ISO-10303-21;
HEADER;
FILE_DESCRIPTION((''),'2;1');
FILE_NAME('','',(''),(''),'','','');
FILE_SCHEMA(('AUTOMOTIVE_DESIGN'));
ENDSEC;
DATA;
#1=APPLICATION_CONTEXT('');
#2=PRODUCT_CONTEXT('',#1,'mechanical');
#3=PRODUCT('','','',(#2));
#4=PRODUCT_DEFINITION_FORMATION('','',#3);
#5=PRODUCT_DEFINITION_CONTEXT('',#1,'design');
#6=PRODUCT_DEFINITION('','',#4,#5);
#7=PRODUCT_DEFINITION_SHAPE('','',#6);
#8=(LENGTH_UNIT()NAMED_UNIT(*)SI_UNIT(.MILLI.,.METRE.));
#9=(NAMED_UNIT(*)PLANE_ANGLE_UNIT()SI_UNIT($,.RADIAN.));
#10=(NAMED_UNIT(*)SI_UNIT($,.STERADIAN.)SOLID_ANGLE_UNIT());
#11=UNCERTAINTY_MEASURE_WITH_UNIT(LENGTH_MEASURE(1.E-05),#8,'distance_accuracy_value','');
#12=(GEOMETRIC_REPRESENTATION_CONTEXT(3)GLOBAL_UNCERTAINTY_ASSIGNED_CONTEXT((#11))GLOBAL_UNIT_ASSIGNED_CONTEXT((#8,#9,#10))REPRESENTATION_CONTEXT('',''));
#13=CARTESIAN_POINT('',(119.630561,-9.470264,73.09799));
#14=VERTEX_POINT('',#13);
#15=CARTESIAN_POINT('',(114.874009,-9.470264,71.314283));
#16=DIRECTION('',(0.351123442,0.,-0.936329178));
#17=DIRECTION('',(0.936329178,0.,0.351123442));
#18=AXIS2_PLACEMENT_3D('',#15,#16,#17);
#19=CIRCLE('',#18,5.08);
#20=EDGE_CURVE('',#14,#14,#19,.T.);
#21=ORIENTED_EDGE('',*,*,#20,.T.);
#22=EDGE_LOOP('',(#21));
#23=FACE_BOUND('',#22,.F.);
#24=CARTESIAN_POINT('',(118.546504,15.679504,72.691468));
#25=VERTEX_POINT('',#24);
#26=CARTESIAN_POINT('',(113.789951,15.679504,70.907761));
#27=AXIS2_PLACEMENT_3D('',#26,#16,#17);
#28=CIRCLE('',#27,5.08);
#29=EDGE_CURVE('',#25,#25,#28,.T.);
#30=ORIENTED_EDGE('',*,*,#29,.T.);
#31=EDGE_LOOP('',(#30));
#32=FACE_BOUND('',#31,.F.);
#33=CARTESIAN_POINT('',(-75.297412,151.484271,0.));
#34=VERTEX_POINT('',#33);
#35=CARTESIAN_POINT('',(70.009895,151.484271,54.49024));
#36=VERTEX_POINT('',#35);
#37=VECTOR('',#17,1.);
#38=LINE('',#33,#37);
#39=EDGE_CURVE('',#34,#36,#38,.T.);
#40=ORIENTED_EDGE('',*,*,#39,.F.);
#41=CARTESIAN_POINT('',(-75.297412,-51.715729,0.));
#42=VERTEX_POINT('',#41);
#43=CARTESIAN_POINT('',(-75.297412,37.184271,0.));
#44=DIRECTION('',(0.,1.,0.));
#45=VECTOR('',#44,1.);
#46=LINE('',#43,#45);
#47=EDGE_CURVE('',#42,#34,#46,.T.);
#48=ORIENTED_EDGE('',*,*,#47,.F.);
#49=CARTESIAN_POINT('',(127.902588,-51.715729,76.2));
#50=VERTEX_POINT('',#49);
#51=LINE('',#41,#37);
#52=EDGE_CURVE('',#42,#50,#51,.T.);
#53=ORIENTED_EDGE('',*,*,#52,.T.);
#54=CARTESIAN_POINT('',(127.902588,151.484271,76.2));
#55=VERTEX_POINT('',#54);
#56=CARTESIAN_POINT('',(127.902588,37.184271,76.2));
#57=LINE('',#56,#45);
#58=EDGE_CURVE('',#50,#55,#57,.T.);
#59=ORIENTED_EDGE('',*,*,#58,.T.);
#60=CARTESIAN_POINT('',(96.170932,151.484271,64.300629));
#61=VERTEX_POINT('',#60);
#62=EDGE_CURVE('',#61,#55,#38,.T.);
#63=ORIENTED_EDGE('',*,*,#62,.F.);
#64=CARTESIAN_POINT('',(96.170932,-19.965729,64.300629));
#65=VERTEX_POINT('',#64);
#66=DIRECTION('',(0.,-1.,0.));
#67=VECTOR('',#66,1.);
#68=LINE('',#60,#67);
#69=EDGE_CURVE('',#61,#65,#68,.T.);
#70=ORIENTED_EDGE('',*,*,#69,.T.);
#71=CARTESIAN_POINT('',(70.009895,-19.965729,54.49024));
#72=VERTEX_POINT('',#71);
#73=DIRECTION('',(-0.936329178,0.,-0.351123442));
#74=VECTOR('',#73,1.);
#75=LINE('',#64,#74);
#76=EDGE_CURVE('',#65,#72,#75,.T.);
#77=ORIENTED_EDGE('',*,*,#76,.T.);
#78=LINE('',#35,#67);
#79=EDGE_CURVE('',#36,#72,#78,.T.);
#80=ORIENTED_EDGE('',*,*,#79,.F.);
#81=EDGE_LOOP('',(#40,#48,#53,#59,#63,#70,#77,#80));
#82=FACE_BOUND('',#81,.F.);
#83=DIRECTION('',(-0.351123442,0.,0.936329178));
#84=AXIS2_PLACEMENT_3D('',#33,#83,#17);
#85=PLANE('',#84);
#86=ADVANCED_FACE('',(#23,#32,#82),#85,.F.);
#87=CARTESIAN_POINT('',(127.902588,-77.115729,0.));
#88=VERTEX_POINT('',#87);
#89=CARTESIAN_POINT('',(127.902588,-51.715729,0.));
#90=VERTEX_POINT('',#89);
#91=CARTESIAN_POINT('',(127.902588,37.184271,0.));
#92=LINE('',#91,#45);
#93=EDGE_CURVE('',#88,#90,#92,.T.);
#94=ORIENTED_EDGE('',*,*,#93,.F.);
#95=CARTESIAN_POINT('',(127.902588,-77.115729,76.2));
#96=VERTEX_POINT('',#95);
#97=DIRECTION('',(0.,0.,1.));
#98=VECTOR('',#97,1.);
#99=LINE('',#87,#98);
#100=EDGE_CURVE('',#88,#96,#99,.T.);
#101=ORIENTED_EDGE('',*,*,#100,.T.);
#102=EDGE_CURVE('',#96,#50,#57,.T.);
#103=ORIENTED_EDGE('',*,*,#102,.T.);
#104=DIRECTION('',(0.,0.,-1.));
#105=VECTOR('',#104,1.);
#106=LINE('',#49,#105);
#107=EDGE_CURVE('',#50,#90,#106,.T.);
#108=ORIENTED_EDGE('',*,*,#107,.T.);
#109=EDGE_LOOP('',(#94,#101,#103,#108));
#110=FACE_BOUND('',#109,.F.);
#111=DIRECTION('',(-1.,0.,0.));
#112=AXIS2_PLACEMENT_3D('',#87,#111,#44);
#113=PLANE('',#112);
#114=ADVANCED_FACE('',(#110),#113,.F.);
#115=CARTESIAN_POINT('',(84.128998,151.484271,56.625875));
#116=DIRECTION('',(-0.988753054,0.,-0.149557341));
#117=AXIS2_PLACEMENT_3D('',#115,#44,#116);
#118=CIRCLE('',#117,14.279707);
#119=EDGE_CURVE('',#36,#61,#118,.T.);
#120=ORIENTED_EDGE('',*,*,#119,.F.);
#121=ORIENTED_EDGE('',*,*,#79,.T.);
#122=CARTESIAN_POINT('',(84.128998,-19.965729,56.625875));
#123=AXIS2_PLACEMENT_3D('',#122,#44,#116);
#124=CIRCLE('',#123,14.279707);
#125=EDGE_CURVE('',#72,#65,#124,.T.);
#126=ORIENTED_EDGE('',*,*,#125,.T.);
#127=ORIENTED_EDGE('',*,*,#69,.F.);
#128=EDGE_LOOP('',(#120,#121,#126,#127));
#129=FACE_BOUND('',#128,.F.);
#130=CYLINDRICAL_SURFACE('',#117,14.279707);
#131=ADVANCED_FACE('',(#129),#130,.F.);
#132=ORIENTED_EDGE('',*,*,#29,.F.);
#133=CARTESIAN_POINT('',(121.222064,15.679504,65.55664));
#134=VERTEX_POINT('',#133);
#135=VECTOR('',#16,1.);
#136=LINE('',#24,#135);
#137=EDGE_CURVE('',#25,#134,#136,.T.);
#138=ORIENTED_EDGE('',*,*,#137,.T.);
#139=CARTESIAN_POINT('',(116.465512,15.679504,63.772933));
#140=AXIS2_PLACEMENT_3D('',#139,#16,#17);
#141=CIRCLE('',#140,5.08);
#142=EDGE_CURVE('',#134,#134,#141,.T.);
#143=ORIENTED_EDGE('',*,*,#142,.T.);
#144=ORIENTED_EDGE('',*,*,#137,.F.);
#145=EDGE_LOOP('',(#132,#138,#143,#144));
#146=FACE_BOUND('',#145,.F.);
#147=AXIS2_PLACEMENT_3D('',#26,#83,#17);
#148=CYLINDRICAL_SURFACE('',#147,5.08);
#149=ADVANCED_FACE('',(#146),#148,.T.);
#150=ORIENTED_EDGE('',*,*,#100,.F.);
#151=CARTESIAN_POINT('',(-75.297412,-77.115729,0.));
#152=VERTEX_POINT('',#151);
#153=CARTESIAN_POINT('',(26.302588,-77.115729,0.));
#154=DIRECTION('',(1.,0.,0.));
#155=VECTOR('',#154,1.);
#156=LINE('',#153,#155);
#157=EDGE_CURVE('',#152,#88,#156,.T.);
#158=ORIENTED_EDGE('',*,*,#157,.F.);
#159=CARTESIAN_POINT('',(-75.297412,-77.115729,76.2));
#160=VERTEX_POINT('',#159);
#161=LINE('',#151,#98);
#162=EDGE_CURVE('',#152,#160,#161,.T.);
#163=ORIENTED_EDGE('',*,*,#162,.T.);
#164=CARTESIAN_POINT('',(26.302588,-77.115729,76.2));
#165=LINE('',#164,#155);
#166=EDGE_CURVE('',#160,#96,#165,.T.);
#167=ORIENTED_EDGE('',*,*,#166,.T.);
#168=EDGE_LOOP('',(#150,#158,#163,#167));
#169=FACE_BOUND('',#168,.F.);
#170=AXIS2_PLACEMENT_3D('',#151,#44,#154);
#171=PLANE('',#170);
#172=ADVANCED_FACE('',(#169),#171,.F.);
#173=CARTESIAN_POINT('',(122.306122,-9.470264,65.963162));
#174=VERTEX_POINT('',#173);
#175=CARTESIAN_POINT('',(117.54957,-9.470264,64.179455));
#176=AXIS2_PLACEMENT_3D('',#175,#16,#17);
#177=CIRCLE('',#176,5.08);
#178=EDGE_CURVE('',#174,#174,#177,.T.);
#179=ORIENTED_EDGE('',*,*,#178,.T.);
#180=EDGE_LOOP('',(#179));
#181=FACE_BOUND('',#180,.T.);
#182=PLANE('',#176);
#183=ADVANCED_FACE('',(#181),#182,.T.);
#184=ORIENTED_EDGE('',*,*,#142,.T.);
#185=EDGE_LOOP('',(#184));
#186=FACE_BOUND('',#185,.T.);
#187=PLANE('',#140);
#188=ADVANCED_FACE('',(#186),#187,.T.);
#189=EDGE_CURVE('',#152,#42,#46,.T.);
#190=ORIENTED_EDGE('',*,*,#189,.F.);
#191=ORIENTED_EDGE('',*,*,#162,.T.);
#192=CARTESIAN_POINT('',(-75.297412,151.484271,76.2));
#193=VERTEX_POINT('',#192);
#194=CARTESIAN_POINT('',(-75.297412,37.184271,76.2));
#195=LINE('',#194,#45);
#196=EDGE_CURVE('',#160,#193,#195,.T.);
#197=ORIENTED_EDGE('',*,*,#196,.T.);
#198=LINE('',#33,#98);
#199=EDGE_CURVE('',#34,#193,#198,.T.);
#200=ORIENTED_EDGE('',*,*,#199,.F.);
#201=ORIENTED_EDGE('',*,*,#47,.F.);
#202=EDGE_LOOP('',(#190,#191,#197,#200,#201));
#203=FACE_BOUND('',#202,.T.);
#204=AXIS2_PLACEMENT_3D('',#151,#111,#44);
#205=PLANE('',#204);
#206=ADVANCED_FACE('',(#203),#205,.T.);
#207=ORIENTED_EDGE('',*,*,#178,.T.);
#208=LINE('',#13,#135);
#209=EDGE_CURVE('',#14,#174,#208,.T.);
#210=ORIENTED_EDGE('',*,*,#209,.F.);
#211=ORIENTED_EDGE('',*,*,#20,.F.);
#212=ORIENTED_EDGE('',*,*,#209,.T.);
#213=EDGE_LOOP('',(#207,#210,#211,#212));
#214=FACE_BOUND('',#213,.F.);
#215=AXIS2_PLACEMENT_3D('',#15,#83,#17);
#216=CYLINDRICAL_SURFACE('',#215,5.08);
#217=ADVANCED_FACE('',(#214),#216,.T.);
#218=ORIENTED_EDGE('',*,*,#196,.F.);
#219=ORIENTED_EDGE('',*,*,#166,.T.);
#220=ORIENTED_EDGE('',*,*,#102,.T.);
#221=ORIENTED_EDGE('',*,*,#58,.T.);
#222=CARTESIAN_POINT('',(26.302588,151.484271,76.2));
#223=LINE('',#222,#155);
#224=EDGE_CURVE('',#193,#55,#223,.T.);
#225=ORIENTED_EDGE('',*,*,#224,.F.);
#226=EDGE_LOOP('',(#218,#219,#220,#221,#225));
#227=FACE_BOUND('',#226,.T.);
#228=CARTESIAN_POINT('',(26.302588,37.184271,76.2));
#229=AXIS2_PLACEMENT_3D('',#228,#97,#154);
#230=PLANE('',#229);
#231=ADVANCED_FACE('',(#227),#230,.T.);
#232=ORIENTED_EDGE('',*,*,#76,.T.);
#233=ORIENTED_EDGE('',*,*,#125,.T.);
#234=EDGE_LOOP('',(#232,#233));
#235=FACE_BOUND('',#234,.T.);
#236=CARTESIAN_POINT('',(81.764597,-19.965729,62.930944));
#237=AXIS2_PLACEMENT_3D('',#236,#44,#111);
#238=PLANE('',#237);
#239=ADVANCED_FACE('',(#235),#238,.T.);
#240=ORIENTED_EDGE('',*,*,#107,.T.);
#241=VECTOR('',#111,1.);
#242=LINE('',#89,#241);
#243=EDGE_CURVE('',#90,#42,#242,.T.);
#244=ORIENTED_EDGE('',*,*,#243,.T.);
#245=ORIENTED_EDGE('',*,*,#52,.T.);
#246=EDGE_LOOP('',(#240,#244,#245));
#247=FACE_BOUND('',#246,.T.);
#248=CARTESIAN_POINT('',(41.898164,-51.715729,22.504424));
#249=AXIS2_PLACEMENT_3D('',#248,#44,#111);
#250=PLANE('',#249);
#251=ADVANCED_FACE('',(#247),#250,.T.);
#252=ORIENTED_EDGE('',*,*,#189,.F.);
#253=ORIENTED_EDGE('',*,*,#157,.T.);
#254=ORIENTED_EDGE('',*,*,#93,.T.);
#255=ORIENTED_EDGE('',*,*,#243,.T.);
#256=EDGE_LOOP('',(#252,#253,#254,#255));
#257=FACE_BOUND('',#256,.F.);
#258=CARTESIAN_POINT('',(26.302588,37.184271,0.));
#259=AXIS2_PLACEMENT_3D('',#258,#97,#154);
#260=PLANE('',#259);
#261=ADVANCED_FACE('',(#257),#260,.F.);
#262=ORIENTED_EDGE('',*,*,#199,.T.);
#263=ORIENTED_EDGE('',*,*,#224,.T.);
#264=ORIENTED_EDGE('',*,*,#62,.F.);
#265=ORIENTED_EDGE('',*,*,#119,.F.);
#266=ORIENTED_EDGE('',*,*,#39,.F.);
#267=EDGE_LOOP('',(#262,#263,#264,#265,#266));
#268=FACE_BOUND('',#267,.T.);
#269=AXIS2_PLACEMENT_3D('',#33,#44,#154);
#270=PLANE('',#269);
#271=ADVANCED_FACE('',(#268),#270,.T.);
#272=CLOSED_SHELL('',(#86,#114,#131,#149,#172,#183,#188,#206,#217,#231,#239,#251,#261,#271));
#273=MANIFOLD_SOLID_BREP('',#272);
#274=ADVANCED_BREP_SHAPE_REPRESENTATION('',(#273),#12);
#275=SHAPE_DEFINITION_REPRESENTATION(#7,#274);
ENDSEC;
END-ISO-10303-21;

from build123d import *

# Parameters (mm, degrees)
F0_W     = 203.2
F0_H     = 228.6
F1_DEPTH = 76.2
F3_DEPTH = 203.2
F5_DEPTH = 171.45
F6_R     = 5.08
F7_DEPTH = 7.62


with BuildPart() as f1:
    # F0 (on Top) → F1 (new body)
    with BuildSketch(Plane.XY):
        with Locations((26.3025880603, 37.1842714906)):
            Rectangle(F0_W, F0_H)
    extrude(amount=F1_DEPTH)

    # F2 (on face) → F3 (cut)
    with BuildSketch(Plane(origin=(0, 151.4842714906, 0), x_dir=(-1, 0, 0), z_dir=(0, 1, 0))):
        Polygon((-127.9025880603, 0), (75.2974119397, 0), (-127.9025880603, 76.2), align=None)
    extrude(amount=-F3_DEPTH, mode=Mode.SUBTRACT)

    # F4 (on face) → F5 (cut)
    with BuildSketch(Plane(origin=(0, 151.4842714906, 0), x_dir=(-1, 0, 0), z_dir=(0, 1, 0))):
        with BuildLine():
            Line((-96.1709320552, 64.3006289981), (-70.0098948339, 54.4902400401))
            ThreePointArc((-70.0098948339, 54.4902400401), (-79.1150585712, 69.996380848), (-96.1709320552, 64.3006289981))
        make_face()
    extrude(amount=-F5_DEPTH, mode=Mode.SUBTRACT)

    # F6 (on face) → F7 (join)
    with BuildSketch(Plane(origin=(-9.2832425679, 0, 24.7553135144), x_dir=(0.9363291776, 0, 0.3511234416), z_dir=(0.3511234416, 0, -0.9363291776))):
        with Locations((131.4422286823, -15.679504171)):
            Circle(F6_R)
        with Locations((132.6000029427, 9.4702642467)):
            Circle(F6_R)
    extrude(amount=F7_DEPTH)


solid = f1.part
